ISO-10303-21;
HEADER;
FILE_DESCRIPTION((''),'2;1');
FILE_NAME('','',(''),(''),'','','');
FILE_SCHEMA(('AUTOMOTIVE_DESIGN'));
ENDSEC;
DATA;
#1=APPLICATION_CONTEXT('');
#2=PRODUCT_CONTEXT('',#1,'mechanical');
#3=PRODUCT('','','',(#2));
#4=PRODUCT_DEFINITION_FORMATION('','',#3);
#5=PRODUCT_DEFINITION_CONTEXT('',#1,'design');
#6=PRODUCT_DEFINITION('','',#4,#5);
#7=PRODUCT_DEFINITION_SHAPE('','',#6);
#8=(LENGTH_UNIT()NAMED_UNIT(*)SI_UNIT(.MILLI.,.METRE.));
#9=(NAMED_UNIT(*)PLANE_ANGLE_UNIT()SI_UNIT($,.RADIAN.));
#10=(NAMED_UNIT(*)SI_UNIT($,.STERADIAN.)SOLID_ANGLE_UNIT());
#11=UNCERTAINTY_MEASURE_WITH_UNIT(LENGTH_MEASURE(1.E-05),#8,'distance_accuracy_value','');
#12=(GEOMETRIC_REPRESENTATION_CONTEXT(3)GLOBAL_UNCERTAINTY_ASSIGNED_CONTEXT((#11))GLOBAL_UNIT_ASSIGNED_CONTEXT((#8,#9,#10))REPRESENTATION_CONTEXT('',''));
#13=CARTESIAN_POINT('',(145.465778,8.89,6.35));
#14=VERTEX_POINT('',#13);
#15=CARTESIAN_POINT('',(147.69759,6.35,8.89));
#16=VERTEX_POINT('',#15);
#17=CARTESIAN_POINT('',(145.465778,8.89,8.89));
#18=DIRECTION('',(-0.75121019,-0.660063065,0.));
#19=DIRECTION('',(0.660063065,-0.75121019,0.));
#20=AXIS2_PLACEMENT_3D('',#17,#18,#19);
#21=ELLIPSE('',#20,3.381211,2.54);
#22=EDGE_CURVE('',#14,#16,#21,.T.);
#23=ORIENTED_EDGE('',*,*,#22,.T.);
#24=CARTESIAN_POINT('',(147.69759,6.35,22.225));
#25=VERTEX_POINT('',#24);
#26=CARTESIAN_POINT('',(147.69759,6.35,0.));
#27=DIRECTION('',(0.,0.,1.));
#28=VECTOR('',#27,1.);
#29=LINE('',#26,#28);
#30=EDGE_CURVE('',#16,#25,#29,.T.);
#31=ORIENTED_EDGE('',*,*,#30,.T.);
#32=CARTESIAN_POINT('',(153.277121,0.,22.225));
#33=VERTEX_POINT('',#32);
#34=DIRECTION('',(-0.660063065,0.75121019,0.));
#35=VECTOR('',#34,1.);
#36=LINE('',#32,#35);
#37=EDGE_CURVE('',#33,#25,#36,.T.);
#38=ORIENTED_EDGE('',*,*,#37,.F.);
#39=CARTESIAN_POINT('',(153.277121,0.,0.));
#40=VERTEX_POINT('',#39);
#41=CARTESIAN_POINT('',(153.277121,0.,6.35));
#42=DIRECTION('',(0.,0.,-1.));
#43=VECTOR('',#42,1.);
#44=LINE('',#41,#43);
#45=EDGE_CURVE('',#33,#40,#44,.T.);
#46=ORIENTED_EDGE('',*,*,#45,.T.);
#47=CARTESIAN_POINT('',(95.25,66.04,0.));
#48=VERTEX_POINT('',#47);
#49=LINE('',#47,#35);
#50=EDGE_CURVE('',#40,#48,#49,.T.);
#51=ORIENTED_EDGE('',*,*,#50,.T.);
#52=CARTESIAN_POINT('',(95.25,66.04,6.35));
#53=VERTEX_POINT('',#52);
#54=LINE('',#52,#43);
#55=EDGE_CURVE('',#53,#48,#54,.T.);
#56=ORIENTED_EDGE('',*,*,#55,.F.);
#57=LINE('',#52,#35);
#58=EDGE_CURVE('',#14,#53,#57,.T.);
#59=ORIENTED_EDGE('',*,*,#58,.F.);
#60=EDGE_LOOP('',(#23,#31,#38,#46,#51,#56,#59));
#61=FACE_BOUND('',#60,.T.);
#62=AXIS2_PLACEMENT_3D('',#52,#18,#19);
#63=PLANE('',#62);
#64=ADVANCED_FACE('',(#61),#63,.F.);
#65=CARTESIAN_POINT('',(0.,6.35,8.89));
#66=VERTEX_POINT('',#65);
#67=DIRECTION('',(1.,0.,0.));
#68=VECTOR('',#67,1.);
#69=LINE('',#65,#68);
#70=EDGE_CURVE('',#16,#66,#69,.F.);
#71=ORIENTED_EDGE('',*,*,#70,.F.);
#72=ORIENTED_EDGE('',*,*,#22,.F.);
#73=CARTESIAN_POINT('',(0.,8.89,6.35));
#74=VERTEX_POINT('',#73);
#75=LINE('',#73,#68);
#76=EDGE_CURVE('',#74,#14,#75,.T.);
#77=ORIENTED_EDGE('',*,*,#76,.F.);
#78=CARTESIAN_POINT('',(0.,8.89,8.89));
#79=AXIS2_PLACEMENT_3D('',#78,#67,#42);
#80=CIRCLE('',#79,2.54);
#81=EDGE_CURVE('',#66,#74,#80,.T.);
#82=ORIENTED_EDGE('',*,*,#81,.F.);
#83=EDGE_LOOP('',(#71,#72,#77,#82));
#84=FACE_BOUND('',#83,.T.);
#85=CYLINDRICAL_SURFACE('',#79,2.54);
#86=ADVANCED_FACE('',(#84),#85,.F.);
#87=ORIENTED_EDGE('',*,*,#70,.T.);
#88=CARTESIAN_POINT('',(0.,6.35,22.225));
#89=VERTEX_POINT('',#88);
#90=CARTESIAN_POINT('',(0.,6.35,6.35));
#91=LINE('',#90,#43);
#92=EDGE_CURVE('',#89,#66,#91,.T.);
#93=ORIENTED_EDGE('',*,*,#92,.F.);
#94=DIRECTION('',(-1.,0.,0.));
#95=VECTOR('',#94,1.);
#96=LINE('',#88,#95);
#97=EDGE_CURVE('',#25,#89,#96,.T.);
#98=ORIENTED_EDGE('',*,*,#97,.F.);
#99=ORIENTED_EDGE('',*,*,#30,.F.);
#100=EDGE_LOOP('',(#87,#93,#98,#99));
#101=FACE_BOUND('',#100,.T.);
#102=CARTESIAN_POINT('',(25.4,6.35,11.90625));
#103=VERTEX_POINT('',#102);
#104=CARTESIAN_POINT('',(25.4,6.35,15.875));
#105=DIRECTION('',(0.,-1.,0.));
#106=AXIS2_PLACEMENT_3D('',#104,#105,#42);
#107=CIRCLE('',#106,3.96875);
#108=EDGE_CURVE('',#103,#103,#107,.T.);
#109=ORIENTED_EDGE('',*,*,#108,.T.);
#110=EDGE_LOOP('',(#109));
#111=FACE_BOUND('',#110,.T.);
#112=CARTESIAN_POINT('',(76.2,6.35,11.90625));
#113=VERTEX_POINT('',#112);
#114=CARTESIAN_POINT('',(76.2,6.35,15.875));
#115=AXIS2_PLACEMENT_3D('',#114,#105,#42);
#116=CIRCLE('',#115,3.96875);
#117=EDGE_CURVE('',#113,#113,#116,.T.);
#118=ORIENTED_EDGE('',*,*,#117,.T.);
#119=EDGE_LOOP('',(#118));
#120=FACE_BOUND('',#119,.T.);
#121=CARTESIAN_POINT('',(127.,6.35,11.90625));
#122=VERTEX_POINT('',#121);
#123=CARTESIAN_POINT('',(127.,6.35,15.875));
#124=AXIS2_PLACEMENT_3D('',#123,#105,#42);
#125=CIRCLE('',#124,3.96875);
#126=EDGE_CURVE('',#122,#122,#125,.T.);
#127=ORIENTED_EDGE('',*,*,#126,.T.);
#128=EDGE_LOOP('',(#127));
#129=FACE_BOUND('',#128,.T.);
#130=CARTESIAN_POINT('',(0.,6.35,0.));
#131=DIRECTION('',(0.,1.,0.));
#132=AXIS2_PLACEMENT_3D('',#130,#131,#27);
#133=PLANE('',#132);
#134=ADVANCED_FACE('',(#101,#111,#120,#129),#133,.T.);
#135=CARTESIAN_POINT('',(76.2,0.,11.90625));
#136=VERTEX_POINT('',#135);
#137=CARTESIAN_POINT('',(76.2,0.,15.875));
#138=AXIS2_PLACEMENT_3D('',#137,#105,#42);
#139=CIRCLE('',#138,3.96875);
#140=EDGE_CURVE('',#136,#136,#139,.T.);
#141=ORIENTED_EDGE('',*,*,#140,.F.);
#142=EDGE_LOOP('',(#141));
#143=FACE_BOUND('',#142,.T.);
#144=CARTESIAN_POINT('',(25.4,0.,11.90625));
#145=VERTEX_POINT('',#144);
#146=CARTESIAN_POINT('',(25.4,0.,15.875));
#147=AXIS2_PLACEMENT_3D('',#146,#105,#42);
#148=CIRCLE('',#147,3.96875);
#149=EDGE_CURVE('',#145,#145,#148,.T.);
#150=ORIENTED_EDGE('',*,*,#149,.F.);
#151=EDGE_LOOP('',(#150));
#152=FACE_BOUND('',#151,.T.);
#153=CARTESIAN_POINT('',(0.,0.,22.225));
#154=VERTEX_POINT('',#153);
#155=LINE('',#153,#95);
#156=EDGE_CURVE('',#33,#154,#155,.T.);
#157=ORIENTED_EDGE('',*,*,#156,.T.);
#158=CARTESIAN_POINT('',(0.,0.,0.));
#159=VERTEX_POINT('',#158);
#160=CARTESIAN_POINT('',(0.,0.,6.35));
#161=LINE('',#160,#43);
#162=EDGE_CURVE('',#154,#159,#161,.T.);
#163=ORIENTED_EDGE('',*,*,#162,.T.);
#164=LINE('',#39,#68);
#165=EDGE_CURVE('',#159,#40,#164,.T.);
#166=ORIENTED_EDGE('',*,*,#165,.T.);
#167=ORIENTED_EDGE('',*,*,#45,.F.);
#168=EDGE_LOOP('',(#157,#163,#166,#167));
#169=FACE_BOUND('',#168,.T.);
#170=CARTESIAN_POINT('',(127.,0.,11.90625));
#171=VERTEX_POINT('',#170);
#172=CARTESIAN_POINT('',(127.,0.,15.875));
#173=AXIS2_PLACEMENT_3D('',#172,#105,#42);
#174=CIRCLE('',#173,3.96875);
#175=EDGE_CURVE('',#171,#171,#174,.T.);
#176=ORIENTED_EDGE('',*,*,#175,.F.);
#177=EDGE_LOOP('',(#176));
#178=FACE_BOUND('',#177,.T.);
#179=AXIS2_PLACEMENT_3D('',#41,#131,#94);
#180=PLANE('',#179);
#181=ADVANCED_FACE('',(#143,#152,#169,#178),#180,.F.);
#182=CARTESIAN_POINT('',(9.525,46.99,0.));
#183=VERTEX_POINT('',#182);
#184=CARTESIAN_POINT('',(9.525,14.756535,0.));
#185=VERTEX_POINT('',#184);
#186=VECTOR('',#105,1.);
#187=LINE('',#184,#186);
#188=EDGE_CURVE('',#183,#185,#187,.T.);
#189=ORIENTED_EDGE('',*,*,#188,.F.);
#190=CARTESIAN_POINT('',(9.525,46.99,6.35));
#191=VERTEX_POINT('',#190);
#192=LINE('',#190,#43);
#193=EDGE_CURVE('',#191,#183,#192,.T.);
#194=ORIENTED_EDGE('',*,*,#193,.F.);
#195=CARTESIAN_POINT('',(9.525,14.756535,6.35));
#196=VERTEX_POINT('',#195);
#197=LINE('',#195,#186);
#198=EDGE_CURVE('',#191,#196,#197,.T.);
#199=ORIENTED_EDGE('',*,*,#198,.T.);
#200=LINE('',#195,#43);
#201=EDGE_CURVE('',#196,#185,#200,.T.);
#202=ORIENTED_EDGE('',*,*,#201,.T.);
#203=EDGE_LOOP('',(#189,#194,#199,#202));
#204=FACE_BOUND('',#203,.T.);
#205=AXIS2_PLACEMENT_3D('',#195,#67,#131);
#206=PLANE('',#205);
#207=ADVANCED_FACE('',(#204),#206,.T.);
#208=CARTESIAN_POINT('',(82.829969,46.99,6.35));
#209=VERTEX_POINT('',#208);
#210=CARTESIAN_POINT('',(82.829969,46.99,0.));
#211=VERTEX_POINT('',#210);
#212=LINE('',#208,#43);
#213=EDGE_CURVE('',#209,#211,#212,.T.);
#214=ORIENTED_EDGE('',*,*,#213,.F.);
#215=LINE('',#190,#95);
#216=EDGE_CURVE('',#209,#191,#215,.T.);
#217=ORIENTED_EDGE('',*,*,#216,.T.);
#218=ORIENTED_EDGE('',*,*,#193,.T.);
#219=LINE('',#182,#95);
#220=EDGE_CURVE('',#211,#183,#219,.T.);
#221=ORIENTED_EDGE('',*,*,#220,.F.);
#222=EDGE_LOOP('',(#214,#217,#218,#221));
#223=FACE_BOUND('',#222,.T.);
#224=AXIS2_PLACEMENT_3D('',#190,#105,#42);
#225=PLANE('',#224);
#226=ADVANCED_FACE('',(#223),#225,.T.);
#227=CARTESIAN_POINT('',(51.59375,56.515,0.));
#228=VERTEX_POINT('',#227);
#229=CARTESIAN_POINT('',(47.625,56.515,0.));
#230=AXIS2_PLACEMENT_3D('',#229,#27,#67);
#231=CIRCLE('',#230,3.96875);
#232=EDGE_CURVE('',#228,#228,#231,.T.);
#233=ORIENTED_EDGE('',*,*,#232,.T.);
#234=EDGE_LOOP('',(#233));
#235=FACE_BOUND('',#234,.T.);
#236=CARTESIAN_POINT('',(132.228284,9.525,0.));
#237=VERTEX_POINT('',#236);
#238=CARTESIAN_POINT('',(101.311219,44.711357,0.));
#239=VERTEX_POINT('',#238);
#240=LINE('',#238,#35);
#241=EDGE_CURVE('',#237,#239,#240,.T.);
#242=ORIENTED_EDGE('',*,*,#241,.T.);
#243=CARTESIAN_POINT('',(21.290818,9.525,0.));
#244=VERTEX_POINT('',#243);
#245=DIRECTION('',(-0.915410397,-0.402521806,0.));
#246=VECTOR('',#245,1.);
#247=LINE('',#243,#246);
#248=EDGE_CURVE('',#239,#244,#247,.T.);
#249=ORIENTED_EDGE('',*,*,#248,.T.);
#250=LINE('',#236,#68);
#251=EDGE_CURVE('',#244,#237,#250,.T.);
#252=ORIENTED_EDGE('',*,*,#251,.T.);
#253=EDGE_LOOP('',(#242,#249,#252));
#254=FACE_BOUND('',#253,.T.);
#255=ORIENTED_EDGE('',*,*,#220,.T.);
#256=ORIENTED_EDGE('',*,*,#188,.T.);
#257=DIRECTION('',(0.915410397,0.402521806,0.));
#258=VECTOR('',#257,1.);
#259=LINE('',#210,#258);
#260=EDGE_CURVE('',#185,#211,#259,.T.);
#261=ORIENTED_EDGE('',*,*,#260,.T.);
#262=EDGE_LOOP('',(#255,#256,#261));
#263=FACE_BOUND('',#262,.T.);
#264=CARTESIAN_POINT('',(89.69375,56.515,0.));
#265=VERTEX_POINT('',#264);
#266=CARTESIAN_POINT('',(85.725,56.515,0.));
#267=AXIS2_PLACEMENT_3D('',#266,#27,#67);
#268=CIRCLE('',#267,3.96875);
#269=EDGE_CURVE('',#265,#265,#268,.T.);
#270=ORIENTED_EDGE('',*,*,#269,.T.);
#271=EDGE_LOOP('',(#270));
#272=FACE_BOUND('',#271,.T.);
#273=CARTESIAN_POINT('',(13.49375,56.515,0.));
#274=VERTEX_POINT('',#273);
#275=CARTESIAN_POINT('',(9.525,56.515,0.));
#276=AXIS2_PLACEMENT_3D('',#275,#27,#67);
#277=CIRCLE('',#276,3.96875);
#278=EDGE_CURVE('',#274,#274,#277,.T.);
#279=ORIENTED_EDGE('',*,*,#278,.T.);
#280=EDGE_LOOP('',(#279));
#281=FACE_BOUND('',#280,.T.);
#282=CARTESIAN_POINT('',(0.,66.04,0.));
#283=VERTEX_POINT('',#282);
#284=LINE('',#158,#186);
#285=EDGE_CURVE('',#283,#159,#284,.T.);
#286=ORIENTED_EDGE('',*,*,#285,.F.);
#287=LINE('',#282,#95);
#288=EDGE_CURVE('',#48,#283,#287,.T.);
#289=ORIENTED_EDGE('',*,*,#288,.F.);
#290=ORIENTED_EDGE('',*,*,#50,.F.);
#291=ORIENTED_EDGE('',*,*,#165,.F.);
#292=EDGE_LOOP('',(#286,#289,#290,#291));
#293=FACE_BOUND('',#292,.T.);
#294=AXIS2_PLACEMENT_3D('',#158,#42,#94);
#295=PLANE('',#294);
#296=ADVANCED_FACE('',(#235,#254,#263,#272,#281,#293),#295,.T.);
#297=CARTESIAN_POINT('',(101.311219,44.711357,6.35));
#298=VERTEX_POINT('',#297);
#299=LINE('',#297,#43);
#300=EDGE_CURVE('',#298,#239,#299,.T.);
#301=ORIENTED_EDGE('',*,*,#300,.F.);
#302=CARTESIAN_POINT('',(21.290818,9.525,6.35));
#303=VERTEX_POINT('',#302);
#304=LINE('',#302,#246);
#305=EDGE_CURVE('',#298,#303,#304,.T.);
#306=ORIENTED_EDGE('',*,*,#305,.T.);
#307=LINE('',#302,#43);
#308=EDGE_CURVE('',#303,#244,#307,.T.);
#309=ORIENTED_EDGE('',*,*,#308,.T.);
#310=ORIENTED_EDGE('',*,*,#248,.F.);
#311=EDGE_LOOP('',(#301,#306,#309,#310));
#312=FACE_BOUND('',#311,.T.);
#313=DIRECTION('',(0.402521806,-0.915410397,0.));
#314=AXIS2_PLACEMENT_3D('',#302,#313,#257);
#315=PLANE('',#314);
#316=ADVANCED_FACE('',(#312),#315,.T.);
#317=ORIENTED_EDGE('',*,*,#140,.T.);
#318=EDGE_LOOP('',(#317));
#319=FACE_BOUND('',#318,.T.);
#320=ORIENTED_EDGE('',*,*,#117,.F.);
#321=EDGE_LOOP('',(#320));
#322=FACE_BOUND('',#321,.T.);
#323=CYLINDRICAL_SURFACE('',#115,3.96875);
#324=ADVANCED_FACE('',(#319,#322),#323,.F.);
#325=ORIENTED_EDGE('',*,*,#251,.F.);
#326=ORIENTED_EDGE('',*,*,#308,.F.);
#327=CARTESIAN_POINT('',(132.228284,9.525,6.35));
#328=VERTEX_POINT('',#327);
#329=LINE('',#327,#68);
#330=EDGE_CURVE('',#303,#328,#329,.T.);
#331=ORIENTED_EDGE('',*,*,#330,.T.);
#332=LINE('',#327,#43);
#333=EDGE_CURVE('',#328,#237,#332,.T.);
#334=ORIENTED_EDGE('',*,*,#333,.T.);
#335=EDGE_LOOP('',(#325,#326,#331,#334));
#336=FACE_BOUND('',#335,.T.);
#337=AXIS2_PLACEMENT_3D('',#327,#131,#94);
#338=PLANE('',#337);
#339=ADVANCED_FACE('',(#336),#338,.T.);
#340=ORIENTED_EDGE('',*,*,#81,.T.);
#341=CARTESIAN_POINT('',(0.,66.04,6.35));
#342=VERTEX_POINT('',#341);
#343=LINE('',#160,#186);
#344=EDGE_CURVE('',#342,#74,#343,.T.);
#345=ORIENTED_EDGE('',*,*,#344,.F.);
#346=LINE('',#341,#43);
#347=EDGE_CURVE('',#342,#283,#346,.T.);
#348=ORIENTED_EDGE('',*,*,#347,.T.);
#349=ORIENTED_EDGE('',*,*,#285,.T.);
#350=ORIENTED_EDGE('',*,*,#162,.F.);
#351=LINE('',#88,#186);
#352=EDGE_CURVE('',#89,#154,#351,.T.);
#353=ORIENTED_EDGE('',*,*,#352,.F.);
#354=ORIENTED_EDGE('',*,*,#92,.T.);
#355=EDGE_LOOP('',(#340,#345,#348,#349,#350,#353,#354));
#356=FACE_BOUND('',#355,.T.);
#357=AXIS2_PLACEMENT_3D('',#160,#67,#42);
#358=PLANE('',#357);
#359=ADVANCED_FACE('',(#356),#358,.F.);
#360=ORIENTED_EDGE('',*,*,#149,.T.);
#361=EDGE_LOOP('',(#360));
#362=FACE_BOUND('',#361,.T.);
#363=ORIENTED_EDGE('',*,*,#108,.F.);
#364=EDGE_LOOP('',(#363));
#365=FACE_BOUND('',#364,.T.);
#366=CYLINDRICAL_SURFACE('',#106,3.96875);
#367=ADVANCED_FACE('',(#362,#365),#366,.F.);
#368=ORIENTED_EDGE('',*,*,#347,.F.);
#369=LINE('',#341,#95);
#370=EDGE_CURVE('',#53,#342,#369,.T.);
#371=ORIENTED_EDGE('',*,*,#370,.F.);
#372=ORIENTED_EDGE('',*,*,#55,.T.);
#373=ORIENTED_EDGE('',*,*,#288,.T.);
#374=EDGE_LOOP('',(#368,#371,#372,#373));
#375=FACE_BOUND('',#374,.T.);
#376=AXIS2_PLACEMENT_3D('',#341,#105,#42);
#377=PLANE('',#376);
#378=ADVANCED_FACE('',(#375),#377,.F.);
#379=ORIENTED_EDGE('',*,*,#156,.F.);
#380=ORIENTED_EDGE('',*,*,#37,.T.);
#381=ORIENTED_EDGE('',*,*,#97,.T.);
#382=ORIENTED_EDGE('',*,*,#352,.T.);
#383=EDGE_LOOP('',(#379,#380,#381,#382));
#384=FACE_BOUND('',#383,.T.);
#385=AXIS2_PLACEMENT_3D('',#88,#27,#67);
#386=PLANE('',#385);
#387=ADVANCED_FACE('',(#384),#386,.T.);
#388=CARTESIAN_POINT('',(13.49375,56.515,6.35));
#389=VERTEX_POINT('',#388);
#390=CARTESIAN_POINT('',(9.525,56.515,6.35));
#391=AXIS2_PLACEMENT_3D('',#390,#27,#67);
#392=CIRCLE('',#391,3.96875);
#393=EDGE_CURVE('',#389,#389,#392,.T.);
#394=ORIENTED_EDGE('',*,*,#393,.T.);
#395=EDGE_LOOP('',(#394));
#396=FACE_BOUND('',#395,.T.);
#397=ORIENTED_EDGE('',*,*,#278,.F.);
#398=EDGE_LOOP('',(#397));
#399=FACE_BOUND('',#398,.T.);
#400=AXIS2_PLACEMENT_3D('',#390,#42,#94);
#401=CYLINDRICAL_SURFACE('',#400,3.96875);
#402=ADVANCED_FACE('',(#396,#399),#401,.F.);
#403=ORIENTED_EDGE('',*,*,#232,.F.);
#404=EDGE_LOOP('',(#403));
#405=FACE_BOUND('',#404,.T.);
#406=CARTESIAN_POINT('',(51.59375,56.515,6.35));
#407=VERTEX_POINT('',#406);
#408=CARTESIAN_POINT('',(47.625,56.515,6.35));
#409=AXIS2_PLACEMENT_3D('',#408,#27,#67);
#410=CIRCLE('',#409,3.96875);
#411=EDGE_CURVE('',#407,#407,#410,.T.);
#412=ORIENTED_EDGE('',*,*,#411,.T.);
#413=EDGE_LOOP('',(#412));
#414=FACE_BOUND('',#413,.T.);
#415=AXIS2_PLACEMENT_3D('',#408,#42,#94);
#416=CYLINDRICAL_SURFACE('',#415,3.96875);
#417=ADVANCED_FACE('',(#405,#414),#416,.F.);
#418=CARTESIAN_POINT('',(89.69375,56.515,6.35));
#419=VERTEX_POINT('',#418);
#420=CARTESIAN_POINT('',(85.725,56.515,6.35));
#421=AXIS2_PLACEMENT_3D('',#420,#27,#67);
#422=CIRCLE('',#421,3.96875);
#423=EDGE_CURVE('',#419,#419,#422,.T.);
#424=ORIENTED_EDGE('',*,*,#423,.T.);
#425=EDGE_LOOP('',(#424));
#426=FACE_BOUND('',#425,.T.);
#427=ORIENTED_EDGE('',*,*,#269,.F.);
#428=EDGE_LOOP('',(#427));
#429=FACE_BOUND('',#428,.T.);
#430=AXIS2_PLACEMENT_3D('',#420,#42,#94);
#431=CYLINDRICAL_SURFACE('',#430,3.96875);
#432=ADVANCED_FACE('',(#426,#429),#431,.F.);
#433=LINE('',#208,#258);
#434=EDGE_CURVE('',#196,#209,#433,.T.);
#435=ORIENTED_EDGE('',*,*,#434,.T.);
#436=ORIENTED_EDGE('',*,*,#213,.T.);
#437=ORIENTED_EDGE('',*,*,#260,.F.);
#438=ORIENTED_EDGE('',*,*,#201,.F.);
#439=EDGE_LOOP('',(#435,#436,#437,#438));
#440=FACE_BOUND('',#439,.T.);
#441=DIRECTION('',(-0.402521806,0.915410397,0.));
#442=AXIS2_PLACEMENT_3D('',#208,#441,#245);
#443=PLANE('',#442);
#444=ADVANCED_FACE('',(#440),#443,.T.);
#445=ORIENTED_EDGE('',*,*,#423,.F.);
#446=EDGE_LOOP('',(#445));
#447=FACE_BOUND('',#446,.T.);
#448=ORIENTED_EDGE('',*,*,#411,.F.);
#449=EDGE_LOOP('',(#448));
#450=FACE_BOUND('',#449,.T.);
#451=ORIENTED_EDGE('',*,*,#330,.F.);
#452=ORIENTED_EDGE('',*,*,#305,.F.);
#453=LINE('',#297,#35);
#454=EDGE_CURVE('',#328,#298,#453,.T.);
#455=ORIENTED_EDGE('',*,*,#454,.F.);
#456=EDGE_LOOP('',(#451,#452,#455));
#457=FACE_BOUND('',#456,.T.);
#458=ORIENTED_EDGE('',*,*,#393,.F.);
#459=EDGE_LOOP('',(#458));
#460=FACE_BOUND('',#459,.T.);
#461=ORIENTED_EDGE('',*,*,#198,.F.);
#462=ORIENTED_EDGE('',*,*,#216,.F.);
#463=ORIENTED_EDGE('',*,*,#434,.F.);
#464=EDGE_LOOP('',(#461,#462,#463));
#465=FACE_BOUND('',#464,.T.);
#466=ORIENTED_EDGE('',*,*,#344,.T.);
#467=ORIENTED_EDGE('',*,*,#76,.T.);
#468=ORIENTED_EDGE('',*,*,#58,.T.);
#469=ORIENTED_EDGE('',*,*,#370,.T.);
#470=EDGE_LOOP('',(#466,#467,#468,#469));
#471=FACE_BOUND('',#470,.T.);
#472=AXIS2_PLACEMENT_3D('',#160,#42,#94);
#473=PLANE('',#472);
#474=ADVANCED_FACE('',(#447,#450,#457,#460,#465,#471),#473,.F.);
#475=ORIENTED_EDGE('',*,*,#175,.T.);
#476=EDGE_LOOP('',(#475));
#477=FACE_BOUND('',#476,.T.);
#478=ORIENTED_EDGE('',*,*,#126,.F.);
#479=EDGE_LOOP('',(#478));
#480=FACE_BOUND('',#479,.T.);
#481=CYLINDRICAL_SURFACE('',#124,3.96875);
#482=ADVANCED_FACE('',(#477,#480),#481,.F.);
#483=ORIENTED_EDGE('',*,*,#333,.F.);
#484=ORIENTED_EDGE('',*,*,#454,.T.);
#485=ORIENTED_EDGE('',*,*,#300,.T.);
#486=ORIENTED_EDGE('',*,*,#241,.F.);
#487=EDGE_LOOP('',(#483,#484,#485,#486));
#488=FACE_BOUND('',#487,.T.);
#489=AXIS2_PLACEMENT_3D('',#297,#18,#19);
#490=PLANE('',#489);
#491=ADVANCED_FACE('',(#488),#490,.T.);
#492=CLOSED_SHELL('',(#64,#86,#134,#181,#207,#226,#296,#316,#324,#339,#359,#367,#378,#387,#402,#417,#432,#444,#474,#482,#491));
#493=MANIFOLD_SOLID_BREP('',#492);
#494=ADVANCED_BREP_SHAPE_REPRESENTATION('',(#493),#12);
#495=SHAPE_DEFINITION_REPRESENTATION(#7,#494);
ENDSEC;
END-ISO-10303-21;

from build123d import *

# Parameters (mm, degrees)
SKETCH1_R           = 3.96875
BOSS_EXTRUDE1_DEPTH = 6.35
SKETCH2_W           = 153.277121284
SKETCH2_H           = 15.875
SKETCH2_R           = 3.96875
BOSS_EXTRUDE2_DEPTH = 6.35
FILLET1_R           = 2.54
CUT_EXTRUDE1_DEPTH  = 23.225


with BuildPart() as part:
    # Sketch1 → Boss-Extrude1 (new body)
    with BuildSketch(Plane.XY):
        Polygon((0, 0), (0, 66.04), (95.25, 66.04), (153.277121284, 0), align=None)
        with Locations((9.525, 56.515)):
            Circle(SKETCH1_R, mode=Mode.SUBTRACT)
        with Locations((47.625, 56.515)):
            Circle(SKETCH1_R, mode=Mode.SUBTRACT)
        with Locations((85.725, 56.515)):
            Circle(SKETCH1_R, mode=Mode.SUBTRACT)
        Polygon((9.525, 14.756535386), (9.525, 46.99), (82.829969346, 46.99), align=None, mode=Mode.SUBTRACT)
        Polygon((21.290817509, 9.525), (101.311219354, 44.71135659), (132.228284487, 9.525), align=None, mode=Mode.SUBTRACT)
    extrude(amount=BOSS_EXTRUDE1_DEPTH)

    # Sketch2 → Boss-Extrude2 (add)
    with BuildSketch(Plane.XZ):
        with Locations((76.638560642, 14.2875)):
            Rectangle(SKETCH2_W, SKETCH2_H)
        with Locations((25.4, 15.875)):
            Circle(SKETCH2_R, mode=Mode.SUBTRACT)
        with Locations((76.2, 15.875)):
            Circle(SKETCH2_R, mode=Mode.SUBTRACT)
        with Locations((127, 15.875)):
            Circle(SKETCH2_R, mode=Mode.SUBTRACT)
    extrude(amount=-BOSS_EXTRUDE2_DEPTH)

    # Fillet1
    fillet1_edges = [part.edges().sort_by_distance(p)[0] for p in [
        (73.848795196, 6.35, 6.35),
    ]]
    fillet(fillet1_edges, radius=FILLET1_R)

    # Sketch3 → Cut-Extrude1 (cut, through all)
    with BuildSketch(Plane(origin=(0, 0, 0), x_dir=(-1, 0, 0), z_dir=(0, 0, -1))):
        Polygon((-153.277121284, 0), (-143.877671223, 10.697406115), (-163.562021825, 13.552350256), (-165.283233358, 4.245452075), align=None)
    extrude(amount=-CUT_EXTRUDE1_DEPTH, mode=Mode.SUBTRACT)


solid = part.part
